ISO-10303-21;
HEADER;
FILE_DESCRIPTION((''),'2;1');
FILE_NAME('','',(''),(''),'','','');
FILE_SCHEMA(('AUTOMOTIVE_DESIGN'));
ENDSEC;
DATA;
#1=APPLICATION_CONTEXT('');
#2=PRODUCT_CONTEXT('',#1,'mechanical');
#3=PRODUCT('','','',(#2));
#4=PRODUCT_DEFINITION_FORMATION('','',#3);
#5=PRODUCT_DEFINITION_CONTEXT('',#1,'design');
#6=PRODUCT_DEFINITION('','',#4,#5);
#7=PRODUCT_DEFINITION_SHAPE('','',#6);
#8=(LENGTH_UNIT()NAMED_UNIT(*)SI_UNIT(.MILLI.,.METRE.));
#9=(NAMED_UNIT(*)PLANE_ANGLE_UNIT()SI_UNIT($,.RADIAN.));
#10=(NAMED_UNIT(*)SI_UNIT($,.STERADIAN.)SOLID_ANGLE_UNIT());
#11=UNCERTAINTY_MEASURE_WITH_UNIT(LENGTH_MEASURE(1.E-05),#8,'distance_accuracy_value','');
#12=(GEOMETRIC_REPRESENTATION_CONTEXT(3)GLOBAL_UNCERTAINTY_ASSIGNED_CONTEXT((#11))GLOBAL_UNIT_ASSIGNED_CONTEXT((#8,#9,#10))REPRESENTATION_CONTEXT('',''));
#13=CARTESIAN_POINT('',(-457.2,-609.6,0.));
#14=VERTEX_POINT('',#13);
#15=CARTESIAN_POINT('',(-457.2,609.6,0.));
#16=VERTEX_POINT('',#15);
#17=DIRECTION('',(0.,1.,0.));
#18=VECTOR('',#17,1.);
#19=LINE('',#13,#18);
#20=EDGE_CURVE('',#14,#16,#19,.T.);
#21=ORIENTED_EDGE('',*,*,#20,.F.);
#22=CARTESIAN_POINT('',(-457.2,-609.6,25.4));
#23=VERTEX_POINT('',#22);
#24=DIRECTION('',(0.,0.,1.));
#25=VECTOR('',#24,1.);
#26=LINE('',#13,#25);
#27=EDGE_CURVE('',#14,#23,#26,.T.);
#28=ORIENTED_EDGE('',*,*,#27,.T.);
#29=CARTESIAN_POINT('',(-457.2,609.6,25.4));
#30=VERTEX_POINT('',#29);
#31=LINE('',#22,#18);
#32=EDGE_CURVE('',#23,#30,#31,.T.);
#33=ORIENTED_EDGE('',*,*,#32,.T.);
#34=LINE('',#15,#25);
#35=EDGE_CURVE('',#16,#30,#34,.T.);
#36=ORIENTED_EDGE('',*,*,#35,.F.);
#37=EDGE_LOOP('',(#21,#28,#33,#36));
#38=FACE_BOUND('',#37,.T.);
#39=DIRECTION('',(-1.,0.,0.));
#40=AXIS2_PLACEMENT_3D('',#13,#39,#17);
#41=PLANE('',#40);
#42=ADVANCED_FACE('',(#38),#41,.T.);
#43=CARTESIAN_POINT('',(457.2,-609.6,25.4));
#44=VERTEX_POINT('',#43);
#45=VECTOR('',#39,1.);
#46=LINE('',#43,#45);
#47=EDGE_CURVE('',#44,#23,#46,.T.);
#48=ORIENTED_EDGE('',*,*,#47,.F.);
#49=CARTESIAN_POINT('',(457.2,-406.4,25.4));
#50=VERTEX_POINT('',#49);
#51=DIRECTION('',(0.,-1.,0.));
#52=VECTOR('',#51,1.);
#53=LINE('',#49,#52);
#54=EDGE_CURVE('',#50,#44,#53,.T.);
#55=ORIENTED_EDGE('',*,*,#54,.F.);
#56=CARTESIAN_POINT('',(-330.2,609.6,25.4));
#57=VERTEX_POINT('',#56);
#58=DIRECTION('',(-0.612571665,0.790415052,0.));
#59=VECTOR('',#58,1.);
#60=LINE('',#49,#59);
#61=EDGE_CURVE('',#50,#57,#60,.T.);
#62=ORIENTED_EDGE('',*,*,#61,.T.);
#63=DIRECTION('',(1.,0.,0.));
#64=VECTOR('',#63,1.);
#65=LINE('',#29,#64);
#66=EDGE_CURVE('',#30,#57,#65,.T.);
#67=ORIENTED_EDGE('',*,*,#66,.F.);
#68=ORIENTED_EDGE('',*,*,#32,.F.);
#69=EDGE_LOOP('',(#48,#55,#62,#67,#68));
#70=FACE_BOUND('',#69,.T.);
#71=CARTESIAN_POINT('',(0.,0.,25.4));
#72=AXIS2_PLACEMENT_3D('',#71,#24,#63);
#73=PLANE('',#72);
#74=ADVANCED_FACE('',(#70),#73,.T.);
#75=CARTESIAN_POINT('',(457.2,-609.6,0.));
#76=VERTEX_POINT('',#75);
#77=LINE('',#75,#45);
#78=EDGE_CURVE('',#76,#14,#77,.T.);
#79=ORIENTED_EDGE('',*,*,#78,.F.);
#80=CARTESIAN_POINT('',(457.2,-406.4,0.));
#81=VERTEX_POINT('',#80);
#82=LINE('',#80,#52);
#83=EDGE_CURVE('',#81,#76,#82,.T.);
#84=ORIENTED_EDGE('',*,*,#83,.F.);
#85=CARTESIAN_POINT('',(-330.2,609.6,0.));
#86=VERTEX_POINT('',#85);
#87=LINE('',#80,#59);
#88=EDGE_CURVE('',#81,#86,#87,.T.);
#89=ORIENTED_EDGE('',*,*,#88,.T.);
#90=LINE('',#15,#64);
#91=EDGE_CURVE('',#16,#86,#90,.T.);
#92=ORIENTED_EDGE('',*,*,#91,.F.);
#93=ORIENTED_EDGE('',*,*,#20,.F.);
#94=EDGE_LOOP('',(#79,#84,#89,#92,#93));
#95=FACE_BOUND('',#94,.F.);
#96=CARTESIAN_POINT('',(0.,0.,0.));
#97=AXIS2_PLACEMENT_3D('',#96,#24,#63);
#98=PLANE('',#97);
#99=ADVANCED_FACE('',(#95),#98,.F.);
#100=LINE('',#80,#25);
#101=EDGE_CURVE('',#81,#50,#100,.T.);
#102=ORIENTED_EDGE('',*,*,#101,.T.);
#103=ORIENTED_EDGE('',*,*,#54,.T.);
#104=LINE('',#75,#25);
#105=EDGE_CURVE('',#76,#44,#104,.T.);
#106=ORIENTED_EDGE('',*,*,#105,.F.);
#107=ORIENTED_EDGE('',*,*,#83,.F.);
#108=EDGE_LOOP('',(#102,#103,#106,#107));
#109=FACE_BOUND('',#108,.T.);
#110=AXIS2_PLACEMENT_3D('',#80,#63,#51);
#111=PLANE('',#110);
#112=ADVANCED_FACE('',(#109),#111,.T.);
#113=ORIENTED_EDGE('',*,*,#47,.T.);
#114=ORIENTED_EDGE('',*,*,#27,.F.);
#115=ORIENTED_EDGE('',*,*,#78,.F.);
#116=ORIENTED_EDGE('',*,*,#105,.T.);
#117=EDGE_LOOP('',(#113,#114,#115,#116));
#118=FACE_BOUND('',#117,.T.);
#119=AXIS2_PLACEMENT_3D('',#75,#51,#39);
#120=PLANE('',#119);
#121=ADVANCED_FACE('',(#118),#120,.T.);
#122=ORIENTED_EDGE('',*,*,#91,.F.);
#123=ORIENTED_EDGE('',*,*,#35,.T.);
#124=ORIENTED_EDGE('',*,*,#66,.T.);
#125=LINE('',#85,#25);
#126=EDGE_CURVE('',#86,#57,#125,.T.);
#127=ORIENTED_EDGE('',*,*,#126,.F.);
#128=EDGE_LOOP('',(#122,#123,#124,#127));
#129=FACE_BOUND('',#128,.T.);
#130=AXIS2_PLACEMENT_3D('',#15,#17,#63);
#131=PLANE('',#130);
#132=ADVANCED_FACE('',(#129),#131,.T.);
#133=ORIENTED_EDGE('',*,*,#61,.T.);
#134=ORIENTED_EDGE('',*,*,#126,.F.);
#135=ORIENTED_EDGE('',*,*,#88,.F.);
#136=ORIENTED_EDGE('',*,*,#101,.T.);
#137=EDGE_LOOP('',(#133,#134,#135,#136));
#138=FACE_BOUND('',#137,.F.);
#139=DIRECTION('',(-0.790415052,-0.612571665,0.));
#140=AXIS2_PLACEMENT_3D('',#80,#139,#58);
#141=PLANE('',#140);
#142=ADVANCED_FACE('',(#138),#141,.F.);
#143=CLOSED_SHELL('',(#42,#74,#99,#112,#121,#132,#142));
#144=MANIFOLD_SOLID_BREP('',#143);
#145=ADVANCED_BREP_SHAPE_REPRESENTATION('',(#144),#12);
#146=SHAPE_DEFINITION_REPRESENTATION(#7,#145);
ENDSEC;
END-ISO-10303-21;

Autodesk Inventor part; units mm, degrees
ref_plane "YZ Plane" through (0, 0, 0) normal (1, 0, 0) x (0, 1, 0)
ref_plane "XZ Plane" through (0, 0, 0) normal (0, 1, 0) x (-1, 0, 0)
ref_plane "XY Plane" through (0, 0, 0) normal (0, 0, 1) x (1, 0, 0)
sketch "Sketch1" plane through (0, 0, 0) normal (0, 0, 1) x (1, 0, 0)
  line L0 (457.2, -406.4) -> (457.2, -609.6)
  line L1 (457.2, -609.6) -> (-457.2, -609.6)
  line L2 (-457.2, -609.6) -> (-457.2, 609.6)
  line L3 (-457.2, 609.6) -> (-330.2, 609.6)
  line L4 (762.0015, 0.0045) -> (-761.9985, -0.0045) construction
  line L5 (457.2, -609.6) -> (-457.2, 609.6) construction
  line L6 (457.2, -406.4) -> (-330.2, 609.6)
  point P0 (0, 0)
  dimension "d0" = 681.5582
  dimension "d1" = 914.4
  dimension "d2" = 203.2
  dimension "d3" = 127
  dimension "d4" = 1219.2
extrude "Extrusion1" add sketch "Sketch1" along normal blind 25.4
properties part number "stock wall triangl"
